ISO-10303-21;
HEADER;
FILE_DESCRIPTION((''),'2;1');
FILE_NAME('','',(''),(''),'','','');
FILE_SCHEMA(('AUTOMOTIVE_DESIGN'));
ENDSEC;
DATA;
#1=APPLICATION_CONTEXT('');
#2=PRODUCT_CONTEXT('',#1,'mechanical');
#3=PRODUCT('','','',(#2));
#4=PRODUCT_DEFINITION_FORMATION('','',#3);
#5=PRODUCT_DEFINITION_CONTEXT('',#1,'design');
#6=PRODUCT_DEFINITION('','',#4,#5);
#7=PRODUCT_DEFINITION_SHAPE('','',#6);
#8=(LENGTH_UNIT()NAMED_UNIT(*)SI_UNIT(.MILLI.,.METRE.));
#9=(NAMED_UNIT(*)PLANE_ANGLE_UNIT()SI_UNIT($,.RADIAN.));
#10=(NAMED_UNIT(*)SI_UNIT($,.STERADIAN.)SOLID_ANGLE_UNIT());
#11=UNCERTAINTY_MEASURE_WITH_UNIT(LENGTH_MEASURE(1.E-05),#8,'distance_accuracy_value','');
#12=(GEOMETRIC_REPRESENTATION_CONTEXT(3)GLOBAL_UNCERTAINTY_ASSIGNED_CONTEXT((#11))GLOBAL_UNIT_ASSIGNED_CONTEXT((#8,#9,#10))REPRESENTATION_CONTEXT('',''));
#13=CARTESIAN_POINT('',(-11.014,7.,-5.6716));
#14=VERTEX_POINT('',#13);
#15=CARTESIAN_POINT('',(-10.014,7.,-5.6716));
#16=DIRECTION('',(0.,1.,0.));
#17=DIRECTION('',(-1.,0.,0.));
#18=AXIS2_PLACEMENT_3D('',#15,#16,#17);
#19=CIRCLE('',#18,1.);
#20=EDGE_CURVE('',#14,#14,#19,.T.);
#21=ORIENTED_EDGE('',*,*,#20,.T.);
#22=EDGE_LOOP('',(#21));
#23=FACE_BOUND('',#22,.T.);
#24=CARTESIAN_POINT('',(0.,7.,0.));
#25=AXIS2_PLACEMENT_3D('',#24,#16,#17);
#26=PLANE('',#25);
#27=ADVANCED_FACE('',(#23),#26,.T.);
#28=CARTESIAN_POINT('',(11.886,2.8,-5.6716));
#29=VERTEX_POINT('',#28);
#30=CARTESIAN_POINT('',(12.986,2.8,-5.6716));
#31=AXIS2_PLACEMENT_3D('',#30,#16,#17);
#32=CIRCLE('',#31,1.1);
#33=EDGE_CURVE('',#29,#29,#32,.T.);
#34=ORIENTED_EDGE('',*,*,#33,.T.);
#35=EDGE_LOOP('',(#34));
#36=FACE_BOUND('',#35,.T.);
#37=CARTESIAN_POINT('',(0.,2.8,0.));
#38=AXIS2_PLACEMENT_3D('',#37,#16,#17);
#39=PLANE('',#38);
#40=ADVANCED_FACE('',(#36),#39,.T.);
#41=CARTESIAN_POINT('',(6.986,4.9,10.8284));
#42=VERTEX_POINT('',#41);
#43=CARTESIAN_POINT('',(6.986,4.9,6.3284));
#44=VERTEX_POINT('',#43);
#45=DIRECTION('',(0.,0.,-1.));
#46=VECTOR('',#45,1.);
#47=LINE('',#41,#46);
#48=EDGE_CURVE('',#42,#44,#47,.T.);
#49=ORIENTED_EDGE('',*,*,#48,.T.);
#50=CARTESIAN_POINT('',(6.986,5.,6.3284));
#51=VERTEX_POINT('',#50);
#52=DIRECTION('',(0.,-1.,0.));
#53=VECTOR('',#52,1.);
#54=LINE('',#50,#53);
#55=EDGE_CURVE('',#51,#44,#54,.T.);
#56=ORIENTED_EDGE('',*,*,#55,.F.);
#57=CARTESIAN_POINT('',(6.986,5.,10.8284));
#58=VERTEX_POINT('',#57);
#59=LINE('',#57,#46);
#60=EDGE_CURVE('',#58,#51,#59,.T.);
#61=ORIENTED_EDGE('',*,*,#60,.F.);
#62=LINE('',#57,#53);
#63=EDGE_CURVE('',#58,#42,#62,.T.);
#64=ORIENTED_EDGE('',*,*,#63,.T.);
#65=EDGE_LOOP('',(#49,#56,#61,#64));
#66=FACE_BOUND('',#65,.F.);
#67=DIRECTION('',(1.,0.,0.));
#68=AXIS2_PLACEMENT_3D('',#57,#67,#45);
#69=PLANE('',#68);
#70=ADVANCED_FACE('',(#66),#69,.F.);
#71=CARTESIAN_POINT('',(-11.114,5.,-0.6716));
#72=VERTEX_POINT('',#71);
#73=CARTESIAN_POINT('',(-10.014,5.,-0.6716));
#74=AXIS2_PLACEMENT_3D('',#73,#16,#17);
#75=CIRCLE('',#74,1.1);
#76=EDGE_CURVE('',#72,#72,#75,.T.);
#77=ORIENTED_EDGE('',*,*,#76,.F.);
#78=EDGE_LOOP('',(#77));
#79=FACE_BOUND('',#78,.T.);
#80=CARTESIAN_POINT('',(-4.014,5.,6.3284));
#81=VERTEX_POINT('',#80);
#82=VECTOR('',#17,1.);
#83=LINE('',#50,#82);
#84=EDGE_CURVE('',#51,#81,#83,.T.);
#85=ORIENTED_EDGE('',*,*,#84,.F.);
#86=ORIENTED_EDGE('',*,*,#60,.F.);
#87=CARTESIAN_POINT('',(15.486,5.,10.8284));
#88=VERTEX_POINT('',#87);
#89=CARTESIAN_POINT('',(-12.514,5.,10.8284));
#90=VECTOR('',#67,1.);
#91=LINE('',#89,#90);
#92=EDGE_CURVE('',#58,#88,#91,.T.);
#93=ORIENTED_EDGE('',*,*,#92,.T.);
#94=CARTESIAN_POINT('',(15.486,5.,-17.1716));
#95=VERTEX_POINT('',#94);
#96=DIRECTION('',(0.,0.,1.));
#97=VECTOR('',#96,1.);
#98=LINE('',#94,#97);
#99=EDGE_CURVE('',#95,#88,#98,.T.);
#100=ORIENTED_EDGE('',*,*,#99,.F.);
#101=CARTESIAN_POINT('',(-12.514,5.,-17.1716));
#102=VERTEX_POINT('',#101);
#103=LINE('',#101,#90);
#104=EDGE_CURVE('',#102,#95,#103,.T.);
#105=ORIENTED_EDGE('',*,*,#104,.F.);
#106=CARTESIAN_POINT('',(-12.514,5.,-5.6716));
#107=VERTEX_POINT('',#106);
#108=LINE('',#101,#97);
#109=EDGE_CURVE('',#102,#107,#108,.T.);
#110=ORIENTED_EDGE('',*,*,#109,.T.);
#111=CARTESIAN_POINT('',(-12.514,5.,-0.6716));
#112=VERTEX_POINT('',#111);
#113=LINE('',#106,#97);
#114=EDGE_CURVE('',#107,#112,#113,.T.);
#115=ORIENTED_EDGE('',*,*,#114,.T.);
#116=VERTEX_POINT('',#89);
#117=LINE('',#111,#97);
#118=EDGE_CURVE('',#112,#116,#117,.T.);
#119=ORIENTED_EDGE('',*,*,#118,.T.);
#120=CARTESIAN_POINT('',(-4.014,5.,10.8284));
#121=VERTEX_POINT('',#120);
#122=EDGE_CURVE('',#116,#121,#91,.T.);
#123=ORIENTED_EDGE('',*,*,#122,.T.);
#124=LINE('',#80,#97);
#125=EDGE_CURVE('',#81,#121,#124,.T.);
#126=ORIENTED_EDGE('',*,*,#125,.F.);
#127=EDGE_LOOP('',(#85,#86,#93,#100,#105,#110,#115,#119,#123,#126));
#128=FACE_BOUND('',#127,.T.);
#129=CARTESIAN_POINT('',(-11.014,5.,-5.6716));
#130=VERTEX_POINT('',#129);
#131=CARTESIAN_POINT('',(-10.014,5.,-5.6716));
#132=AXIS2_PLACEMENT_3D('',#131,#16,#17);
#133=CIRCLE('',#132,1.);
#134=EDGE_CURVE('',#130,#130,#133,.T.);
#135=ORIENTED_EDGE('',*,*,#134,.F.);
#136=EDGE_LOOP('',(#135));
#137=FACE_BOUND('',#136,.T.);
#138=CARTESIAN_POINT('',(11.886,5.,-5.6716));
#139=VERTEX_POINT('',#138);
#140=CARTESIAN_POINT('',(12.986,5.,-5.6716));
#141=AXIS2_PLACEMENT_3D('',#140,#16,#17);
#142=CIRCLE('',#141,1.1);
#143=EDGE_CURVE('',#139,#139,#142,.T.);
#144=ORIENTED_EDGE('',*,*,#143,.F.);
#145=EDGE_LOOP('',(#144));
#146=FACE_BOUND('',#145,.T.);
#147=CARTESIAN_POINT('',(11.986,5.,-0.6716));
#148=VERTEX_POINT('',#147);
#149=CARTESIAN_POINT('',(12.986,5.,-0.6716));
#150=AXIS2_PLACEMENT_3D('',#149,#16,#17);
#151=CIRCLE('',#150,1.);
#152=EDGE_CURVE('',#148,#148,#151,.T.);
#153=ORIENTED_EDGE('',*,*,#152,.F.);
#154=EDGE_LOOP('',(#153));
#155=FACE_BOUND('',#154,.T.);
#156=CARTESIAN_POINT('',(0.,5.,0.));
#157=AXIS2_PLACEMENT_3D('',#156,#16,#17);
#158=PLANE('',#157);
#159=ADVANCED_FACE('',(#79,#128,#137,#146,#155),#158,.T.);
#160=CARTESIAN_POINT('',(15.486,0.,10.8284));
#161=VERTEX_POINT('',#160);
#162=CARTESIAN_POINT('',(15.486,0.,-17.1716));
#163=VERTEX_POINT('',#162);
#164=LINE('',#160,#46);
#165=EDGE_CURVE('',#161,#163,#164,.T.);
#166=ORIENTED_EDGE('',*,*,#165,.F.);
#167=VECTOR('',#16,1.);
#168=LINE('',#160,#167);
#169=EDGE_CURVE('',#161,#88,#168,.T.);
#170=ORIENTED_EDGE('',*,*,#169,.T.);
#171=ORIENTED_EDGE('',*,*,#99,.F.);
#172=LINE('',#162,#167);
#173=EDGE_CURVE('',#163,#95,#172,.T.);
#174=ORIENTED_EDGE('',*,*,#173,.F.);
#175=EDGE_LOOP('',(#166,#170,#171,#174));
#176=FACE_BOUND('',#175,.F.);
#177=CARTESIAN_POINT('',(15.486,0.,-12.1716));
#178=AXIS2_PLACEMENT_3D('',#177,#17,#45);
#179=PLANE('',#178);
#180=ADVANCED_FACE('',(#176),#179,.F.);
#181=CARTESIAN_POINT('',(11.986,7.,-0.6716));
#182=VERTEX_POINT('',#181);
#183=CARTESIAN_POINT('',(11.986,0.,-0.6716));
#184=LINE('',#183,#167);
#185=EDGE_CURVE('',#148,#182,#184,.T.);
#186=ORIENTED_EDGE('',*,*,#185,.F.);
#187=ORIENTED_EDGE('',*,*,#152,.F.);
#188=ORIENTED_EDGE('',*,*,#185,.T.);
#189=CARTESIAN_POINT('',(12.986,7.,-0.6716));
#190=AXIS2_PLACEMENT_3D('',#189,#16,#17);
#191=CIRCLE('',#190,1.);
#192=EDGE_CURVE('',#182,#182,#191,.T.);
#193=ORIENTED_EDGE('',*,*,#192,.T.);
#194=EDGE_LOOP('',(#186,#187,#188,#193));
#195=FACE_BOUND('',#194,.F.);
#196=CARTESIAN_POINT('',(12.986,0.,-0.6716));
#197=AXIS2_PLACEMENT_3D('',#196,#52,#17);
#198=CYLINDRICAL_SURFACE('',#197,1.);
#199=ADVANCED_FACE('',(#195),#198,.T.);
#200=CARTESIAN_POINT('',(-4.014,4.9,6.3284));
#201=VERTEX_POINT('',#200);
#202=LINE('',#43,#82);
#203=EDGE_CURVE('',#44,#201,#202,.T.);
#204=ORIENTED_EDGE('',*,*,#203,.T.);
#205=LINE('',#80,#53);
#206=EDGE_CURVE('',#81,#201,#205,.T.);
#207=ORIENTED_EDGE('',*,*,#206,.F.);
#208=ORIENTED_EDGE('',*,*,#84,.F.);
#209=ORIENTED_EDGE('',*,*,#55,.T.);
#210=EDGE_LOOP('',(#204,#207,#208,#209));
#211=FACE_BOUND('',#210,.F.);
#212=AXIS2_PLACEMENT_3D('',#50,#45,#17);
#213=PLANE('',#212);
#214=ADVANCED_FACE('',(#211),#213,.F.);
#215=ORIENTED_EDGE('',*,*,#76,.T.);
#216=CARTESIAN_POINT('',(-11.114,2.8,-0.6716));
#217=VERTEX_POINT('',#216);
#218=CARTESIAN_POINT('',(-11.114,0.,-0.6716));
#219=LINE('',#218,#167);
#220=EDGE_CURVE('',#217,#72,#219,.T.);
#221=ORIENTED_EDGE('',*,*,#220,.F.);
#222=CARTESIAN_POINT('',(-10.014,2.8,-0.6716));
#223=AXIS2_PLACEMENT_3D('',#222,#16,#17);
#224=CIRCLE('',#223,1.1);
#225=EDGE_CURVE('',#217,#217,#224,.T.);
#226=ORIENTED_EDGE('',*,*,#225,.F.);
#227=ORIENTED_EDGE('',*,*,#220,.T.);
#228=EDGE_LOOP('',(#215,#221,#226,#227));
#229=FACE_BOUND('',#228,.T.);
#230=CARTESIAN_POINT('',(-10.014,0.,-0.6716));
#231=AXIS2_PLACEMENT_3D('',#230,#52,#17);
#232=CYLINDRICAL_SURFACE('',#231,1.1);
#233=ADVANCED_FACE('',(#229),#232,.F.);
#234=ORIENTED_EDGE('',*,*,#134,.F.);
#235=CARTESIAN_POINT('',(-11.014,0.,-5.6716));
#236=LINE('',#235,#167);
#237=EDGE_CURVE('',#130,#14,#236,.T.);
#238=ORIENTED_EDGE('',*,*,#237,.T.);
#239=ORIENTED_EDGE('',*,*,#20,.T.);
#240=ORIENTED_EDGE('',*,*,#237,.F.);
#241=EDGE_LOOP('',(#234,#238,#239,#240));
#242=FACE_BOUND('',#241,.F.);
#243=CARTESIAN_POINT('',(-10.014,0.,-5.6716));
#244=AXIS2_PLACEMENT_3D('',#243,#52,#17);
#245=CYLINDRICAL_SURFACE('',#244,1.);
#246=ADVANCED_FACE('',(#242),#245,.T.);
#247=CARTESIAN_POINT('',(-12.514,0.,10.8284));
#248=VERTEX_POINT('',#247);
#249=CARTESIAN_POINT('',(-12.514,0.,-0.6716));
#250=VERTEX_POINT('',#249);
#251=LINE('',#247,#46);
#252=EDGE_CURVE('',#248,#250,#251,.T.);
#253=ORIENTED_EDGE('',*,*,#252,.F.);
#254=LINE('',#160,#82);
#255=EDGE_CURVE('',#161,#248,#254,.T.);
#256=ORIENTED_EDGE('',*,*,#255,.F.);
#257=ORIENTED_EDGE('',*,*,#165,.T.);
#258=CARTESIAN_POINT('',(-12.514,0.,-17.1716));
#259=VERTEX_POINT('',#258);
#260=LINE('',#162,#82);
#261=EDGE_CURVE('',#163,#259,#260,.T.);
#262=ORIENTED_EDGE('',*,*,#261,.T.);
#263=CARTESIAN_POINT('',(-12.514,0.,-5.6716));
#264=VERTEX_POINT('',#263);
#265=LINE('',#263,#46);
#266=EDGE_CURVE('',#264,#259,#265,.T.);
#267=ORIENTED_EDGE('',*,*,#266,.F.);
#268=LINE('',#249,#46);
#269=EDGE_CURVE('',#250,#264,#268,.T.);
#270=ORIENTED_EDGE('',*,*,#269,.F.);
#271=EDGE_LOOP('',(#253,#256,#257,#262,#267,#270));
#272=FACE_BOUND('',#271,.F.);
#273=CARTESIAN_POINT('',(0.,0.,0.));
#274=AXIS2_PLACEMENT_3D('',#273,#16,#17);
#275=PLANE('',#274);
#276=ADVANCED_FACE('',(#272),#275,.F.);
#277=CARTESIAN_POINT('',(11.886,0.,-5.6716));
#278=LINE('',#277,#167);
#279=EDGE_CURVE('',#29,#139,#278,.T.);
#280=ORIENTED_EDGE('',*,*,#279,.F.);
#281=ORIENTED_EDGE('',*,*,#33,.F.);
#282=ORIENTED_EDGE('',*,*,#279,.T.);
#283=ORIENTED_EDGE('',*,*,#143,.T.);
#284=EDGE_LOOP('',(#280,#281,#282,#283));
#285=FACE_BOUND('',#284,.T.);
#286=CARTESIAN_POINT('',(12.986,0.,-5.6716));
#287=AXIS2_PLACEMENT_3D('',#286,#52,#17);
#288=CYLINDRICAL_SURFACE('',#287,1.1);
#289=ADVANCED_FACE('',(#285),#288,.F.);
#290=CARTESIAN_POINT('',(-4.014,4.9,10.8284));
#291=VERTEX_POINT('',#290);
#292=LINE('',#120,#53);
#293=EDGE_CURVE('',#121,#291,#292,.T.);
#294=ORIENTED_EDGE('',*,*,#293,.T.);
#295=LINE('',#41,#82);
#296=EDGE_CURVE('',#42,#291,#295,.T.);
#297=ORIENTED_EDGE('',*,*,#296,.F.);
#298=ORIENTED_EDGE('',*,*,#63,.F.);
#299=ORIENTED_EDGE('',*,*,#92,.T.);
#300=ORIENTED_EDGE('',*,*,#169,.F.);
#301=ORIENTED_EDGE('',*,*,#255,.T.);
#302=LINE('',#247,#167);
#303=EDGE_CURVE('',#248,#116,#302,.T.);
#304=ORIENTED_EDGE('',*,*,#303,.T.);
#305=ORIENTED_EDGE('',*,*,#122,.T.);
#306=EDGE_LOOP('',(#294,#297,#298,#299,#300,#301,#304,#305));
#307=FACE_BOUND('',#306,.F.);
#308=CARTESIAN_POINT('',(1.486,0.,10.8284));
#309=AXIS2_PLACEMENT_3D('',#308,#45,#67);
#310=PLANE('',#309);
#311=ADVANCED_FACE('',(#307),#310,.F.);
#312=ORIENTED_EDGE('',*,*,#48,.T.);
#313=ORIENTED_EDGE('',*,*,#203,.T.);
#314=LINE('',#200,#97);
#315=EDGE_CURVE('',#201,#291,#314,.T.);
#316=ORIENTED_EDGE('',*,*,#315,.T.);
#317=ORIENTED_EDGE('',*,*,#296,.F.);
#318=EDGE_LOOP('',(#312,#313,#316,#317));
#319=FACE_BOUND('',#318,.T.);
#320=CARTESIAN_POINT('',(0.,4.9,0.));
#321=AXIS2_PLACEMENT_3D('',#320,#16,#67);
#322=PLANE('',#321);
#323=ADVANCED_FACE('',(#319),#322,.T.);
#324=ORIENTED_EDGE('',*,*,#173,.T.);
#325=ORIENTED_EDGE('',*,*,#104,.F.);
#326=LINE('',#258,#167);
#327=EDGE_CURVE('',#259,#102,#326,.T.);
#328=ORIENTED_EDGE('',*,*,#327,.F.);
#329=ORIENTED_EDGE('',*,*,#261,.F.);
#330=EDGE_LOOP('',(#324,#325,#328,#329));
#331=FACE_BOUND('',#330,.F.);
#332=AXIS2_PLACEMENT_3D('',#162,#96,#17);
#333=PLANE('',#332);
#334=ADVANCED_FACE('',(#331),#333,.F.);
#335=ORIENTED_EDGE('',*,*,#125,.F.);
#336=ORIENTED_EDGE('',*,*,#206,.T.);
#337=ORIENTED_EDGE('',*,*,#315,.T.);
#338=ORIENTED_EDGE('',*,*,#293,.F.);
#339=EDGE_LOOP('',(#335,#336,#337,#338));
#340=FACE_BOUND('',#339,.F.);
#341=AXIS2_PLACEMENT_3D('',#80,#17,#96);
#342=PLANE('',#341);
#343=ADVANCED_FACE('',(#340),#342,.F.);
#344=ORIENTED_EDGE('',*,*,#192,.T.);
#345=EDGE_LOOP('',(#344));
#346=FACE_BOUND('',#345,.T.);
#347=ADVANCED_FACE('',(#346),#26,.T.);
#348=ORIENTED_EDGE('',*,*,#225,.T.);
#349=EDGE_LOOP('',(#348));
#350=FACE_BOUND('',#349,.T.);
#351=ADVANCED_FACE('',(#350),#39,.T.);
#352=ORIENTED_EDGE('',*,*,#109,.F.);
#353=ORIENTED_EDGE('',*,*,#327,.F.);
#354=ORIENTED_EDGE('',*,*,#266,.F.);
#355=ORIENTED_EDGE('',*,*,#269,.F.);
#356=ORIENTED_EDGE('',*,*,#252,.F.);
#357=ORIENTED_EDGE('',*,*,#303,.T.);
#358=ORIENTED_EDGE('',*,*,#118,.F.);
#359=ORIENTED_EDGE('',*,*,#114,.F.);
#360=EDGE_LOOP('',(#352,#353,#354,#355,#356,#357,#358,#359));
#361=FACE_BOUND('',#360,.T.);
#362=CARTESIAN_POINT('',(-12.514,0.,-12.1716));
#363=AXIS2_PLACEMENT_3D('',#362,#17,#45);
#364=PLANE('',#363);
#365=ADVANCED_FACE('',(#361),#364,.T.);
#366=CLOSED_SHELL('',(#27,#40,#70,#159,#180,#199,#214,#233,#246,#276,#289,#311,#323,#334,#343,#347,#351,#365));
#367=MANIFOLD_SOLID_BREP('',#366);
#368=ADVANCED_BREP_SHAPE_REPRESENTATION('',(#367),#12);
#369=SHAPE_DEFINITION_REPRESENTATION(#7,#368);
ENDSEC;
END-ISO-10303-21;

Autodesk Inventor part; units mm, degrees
ref_plane "YZ Plane" through (0, 0, 0) normal (1, 0, 0) x (0, 1, 0)
ref_plane "XZ Plane" through (0, 0, 0) normal (0, 1, 0) x (-1, 0, 0)
ref_plane "XY Plane" through (0, 0, 0) normal (0, 0, 1) x (1, 0, 0)
sketch "Sketch1" plane through (0, 0, 0) normal (0, 1, 0) x (-1, 0, 0)
  line L0 (-15.486, -17.1716) -> (12.514, -17.1716)
  line L1 (12.514, 10.8284) -> (-15.486, 10.8284)
  line L2 (-20.486, 10.8284) -> (12.514, 10.8284) construction
  line L3 (-15.486, 5.8284) -> (-15.486, -12.1716)
  line L4 (12.514, 7.8284) -> (12.514, -12.1716)
  line L5 (12.514, -8.1716) -> (12.514, -3.1716)
  line L6 (7.514, -3.1716) -> (7.514, -8.1716)
  line L7 (7.514, -8.1716) -> (12.514, -8.1716)
  line L8 (12.514, 1.8284) -> (12.514, -3.1716)
  line L9 (7.514, -1.1716) -> (7.514, 1.8284)
  line L10 (7.514, 1.8284) -> (12.514, 1.8284)
  line L11 (12.514, -8.1716) -> (12.514, -3.1716)
  line L12 (12.514, -3.1716) -> (12.514, 1.8284)
  line L13 (12.514, 1.8284) -> (12.514, -3.1716)
  line L14 (12.514, -3.1716) -> (12.514, -8.1716)
  line L15 (12.514, -12.1716) -> (12.514, -17.1716)
  line L16 (12.514, 7.8284) -> (12.514, 10.8284)
  line L17 (-1.486, -17.1716) -> (-1.486, 10.8284)
  circle A0 centre (-12.986, -0.6716) radius 1
  line L18 (-10.486, 1.8284) -> (-15.486, 1.8284)
  line L19 (-15.486, 1.8284) -> (-15.486, -3.1716)
  line L20 (-15.486, -3.1716) -> (-15.486, 1.8284)
  line L21 (-15.486, 1.8284) -> (-15.486, -3.1716)
  line L22 (-10.486, -1.1716) -> (-10.486, 1.8284)
  circle A1 centre (-12.986, -5.6716) radius 1.1
  line L23 (-15.486, -8.1716) -> (-15.486, -3.1716)
  line L24 (-15.486, -8.1716) -> (-15.486, -3.1716)
  line L25 (-15.486, -3.1716) -> (-15.486, -8.1716)
  line L26 (-10.486, -3.1716) -> (-10.486, -8.1716)
  line L27 (-10.486, -8.1716) -> (-15.486, -8.1716)
  line L28 (-15.486, -12.1716) -> (-15.486, -17.1716)
  line L29 (-15.486, 7.8284) -> (-15.486, -12.1716)
  line L30 (-15.486, 10.8284) -> (-15.486, -17.1716)
  line L31 (10.014, -5.6716) -> (12.514, -5.6716)
  line L32 (10.014, -0.6716) -> (12.514, -0.6716)
  circle A2 centre (10.014, -5.6716) radius 1
  circle A3 centre (10.014, -0.6716) radius 1.1
  point P0 (0, 0)
  point P1 (10.014, -8.1716)
  point P2 (10.014, 1.8284)
  point P3 (-12.986, 1.8284)
  point P4 (-12.986, -8.1716)
  point P5 (12.514, 1.8284)
  point P6 (-15.486, 1.8284)
  point P7 (12.514, -8.1716)
  dimension "d0" = 5
  dimension "d1" = 2.5
  dimension "d2" = 2.5
  dimension "d3" = 2
  dimension "d4" = 2.2
  dimension "d5" = 2.2
  dimension "d6" = 28
  dimension "d7" = 28
  dimension "d19" = 28
extrude "Extrusion1" add sketch "Sketch1" along normal blind 5
extrude "Extrusion2" add sketch "Sketch1" along normal blind 7 contours A2 | A0
extrude "Extrusion3" add sketch "Sketch1" along normal blind 2.8 contours A3 | A1
sketch "Sketch2" plane through (0, 5, 0) normal (0, 1, 0) x (1, 0, 0)
  line L0 (-12.514, -10.8284) -> (15.486, -10.8284) projected
  line L1 (1.486, -10.8284) -> (6.986, -10.8284)
  line L2 (6.986, -10.8284) -> (6.986, -6.3284)
  line L3 (6.986, -6.3284) -> (-4.014, -6.3284)
  line L4 (-4.014, -6.3284) -> (-4.014, -10.8284)
  point P0 (0, 0)
  dimension "d14" = 5.5
  dimension "d15" = 4.5
  dimension "d16" = 11
extrude "Extrusion4" cut sketch "Sketch2" against normal blind 0.1
properties part number "TracciaSopra"
